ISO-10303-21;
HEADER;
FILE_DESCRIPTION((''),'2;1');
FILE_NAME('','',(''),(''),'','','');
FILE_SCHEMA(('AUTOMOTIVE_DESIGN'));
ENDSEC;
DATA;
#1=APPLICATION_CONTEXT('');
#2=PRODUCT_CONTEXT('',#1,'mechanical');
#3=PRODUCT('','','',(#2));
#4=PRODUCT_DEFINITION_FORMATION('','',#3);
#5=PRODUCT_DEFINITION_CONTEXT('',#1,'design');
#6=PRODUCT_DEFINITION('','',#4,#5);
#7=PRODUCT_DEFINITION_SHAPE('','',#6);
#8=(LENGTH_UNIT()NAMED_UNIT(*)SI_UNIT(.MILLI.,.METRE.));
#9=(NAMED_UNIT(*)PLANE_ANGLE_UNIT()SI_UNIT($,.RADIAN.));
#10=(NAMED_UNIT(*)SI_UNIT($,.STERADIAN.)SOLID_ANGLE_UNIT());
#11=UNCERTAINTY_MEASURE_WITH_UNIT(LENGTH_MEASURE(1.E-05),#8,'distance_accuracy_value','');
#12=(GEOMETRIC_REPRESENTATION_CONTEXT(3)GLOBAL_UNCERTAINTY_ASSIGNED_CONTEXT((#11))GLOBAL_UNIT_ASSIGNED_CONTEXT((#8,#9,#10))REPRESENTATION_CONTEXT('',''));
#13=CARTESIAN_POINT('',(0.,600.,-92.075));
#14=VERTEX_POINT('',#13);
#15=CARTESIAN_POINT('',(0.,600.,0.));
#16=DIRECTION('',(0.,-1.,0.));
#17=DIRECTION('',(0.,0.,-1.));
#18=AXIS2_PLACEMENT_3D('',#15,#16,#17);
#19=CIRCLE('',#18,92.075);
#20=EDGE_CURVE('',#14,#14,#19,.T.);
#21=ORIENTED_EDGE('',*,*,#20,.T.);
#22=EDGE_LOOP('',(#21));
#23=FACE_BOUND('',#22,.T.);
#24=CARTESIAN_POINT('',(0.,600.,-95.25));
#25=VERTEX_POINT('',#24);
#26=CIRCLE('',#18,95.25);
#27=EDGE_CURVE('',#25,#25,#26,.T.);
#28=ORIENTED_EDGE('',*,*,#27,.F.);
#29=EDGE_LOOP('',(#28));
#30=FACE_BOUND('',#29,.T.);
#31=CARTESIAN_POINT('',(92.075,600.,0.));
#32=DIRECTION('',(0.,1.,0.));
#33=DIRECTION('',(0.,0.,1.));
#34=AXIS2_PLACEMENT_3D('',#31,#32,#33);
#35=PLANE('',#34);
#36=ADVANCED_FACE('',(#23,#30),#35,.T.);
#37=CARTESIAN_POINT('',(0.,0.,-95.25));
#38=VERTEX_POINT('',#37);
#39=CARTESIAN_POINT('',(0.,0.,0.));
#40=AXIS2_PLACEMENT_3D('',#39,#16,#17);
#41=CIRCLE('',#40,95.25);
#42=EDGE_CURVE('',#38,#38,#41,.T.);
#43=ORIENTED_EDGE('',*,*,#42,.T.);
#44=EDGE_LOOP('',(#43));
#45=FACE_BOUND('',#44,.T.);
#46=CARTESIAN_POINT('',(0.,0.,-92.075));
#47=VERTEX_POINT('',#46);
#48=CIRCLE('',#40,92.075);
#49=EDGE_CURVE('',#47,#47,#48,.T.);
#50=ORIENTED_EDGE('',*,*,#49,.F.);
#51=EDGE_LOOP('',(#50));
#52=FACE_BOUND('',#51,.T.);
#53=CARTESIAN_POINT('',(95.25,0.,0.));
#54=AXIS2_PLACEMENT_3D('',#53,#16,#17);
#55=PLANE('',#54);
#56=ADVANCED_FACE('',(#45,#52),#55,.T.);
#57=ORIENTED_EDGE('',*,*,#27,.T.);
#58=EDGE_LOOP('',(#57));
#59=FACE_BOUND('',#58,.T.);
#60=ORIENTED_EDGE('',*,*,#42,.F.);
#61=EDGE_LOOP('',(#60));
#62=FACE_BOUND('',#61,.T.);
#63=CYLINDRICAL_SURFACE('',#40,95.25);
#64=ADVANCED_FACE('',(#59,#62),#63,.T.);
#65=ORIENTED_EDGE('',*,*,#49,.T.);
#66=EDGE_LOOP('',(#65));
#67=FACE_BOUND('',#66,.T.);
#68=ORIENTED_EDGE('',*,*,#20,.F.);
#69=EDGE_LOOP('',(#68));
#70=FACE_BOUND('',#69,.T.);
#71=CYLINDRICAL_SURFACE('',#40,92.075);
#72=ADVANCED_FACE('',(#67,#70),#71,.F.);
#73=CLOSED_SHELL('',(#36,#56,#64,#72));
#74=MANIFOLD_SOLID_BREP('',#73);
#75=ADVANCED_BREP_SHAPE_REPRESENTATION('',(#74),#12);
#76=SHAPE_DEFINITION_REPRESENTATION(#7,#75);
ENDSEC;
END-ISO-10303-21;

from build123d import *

# Parameters (mm, degrees)
SKETCH1_W = 3.175
SKETCH1_H = 600


with BuildPart() as part:
    # Sketch1 → Revolve1 (revolve)
    with BuildSketch(Plane.XY, mode=Mode.PRIVATE) as revolve1_sk:
        with Locations((93.6625, 300)):
            Rectangle(SKETCH1_W, SKETCH1_H)
    revolve(revolve1_sk.sketch.rotate(Axis((0, 0, 0), (0, 1, 0)), 90), axis=Axis((0, 0, 0), (0, 1, 0)))


solid = part.part
